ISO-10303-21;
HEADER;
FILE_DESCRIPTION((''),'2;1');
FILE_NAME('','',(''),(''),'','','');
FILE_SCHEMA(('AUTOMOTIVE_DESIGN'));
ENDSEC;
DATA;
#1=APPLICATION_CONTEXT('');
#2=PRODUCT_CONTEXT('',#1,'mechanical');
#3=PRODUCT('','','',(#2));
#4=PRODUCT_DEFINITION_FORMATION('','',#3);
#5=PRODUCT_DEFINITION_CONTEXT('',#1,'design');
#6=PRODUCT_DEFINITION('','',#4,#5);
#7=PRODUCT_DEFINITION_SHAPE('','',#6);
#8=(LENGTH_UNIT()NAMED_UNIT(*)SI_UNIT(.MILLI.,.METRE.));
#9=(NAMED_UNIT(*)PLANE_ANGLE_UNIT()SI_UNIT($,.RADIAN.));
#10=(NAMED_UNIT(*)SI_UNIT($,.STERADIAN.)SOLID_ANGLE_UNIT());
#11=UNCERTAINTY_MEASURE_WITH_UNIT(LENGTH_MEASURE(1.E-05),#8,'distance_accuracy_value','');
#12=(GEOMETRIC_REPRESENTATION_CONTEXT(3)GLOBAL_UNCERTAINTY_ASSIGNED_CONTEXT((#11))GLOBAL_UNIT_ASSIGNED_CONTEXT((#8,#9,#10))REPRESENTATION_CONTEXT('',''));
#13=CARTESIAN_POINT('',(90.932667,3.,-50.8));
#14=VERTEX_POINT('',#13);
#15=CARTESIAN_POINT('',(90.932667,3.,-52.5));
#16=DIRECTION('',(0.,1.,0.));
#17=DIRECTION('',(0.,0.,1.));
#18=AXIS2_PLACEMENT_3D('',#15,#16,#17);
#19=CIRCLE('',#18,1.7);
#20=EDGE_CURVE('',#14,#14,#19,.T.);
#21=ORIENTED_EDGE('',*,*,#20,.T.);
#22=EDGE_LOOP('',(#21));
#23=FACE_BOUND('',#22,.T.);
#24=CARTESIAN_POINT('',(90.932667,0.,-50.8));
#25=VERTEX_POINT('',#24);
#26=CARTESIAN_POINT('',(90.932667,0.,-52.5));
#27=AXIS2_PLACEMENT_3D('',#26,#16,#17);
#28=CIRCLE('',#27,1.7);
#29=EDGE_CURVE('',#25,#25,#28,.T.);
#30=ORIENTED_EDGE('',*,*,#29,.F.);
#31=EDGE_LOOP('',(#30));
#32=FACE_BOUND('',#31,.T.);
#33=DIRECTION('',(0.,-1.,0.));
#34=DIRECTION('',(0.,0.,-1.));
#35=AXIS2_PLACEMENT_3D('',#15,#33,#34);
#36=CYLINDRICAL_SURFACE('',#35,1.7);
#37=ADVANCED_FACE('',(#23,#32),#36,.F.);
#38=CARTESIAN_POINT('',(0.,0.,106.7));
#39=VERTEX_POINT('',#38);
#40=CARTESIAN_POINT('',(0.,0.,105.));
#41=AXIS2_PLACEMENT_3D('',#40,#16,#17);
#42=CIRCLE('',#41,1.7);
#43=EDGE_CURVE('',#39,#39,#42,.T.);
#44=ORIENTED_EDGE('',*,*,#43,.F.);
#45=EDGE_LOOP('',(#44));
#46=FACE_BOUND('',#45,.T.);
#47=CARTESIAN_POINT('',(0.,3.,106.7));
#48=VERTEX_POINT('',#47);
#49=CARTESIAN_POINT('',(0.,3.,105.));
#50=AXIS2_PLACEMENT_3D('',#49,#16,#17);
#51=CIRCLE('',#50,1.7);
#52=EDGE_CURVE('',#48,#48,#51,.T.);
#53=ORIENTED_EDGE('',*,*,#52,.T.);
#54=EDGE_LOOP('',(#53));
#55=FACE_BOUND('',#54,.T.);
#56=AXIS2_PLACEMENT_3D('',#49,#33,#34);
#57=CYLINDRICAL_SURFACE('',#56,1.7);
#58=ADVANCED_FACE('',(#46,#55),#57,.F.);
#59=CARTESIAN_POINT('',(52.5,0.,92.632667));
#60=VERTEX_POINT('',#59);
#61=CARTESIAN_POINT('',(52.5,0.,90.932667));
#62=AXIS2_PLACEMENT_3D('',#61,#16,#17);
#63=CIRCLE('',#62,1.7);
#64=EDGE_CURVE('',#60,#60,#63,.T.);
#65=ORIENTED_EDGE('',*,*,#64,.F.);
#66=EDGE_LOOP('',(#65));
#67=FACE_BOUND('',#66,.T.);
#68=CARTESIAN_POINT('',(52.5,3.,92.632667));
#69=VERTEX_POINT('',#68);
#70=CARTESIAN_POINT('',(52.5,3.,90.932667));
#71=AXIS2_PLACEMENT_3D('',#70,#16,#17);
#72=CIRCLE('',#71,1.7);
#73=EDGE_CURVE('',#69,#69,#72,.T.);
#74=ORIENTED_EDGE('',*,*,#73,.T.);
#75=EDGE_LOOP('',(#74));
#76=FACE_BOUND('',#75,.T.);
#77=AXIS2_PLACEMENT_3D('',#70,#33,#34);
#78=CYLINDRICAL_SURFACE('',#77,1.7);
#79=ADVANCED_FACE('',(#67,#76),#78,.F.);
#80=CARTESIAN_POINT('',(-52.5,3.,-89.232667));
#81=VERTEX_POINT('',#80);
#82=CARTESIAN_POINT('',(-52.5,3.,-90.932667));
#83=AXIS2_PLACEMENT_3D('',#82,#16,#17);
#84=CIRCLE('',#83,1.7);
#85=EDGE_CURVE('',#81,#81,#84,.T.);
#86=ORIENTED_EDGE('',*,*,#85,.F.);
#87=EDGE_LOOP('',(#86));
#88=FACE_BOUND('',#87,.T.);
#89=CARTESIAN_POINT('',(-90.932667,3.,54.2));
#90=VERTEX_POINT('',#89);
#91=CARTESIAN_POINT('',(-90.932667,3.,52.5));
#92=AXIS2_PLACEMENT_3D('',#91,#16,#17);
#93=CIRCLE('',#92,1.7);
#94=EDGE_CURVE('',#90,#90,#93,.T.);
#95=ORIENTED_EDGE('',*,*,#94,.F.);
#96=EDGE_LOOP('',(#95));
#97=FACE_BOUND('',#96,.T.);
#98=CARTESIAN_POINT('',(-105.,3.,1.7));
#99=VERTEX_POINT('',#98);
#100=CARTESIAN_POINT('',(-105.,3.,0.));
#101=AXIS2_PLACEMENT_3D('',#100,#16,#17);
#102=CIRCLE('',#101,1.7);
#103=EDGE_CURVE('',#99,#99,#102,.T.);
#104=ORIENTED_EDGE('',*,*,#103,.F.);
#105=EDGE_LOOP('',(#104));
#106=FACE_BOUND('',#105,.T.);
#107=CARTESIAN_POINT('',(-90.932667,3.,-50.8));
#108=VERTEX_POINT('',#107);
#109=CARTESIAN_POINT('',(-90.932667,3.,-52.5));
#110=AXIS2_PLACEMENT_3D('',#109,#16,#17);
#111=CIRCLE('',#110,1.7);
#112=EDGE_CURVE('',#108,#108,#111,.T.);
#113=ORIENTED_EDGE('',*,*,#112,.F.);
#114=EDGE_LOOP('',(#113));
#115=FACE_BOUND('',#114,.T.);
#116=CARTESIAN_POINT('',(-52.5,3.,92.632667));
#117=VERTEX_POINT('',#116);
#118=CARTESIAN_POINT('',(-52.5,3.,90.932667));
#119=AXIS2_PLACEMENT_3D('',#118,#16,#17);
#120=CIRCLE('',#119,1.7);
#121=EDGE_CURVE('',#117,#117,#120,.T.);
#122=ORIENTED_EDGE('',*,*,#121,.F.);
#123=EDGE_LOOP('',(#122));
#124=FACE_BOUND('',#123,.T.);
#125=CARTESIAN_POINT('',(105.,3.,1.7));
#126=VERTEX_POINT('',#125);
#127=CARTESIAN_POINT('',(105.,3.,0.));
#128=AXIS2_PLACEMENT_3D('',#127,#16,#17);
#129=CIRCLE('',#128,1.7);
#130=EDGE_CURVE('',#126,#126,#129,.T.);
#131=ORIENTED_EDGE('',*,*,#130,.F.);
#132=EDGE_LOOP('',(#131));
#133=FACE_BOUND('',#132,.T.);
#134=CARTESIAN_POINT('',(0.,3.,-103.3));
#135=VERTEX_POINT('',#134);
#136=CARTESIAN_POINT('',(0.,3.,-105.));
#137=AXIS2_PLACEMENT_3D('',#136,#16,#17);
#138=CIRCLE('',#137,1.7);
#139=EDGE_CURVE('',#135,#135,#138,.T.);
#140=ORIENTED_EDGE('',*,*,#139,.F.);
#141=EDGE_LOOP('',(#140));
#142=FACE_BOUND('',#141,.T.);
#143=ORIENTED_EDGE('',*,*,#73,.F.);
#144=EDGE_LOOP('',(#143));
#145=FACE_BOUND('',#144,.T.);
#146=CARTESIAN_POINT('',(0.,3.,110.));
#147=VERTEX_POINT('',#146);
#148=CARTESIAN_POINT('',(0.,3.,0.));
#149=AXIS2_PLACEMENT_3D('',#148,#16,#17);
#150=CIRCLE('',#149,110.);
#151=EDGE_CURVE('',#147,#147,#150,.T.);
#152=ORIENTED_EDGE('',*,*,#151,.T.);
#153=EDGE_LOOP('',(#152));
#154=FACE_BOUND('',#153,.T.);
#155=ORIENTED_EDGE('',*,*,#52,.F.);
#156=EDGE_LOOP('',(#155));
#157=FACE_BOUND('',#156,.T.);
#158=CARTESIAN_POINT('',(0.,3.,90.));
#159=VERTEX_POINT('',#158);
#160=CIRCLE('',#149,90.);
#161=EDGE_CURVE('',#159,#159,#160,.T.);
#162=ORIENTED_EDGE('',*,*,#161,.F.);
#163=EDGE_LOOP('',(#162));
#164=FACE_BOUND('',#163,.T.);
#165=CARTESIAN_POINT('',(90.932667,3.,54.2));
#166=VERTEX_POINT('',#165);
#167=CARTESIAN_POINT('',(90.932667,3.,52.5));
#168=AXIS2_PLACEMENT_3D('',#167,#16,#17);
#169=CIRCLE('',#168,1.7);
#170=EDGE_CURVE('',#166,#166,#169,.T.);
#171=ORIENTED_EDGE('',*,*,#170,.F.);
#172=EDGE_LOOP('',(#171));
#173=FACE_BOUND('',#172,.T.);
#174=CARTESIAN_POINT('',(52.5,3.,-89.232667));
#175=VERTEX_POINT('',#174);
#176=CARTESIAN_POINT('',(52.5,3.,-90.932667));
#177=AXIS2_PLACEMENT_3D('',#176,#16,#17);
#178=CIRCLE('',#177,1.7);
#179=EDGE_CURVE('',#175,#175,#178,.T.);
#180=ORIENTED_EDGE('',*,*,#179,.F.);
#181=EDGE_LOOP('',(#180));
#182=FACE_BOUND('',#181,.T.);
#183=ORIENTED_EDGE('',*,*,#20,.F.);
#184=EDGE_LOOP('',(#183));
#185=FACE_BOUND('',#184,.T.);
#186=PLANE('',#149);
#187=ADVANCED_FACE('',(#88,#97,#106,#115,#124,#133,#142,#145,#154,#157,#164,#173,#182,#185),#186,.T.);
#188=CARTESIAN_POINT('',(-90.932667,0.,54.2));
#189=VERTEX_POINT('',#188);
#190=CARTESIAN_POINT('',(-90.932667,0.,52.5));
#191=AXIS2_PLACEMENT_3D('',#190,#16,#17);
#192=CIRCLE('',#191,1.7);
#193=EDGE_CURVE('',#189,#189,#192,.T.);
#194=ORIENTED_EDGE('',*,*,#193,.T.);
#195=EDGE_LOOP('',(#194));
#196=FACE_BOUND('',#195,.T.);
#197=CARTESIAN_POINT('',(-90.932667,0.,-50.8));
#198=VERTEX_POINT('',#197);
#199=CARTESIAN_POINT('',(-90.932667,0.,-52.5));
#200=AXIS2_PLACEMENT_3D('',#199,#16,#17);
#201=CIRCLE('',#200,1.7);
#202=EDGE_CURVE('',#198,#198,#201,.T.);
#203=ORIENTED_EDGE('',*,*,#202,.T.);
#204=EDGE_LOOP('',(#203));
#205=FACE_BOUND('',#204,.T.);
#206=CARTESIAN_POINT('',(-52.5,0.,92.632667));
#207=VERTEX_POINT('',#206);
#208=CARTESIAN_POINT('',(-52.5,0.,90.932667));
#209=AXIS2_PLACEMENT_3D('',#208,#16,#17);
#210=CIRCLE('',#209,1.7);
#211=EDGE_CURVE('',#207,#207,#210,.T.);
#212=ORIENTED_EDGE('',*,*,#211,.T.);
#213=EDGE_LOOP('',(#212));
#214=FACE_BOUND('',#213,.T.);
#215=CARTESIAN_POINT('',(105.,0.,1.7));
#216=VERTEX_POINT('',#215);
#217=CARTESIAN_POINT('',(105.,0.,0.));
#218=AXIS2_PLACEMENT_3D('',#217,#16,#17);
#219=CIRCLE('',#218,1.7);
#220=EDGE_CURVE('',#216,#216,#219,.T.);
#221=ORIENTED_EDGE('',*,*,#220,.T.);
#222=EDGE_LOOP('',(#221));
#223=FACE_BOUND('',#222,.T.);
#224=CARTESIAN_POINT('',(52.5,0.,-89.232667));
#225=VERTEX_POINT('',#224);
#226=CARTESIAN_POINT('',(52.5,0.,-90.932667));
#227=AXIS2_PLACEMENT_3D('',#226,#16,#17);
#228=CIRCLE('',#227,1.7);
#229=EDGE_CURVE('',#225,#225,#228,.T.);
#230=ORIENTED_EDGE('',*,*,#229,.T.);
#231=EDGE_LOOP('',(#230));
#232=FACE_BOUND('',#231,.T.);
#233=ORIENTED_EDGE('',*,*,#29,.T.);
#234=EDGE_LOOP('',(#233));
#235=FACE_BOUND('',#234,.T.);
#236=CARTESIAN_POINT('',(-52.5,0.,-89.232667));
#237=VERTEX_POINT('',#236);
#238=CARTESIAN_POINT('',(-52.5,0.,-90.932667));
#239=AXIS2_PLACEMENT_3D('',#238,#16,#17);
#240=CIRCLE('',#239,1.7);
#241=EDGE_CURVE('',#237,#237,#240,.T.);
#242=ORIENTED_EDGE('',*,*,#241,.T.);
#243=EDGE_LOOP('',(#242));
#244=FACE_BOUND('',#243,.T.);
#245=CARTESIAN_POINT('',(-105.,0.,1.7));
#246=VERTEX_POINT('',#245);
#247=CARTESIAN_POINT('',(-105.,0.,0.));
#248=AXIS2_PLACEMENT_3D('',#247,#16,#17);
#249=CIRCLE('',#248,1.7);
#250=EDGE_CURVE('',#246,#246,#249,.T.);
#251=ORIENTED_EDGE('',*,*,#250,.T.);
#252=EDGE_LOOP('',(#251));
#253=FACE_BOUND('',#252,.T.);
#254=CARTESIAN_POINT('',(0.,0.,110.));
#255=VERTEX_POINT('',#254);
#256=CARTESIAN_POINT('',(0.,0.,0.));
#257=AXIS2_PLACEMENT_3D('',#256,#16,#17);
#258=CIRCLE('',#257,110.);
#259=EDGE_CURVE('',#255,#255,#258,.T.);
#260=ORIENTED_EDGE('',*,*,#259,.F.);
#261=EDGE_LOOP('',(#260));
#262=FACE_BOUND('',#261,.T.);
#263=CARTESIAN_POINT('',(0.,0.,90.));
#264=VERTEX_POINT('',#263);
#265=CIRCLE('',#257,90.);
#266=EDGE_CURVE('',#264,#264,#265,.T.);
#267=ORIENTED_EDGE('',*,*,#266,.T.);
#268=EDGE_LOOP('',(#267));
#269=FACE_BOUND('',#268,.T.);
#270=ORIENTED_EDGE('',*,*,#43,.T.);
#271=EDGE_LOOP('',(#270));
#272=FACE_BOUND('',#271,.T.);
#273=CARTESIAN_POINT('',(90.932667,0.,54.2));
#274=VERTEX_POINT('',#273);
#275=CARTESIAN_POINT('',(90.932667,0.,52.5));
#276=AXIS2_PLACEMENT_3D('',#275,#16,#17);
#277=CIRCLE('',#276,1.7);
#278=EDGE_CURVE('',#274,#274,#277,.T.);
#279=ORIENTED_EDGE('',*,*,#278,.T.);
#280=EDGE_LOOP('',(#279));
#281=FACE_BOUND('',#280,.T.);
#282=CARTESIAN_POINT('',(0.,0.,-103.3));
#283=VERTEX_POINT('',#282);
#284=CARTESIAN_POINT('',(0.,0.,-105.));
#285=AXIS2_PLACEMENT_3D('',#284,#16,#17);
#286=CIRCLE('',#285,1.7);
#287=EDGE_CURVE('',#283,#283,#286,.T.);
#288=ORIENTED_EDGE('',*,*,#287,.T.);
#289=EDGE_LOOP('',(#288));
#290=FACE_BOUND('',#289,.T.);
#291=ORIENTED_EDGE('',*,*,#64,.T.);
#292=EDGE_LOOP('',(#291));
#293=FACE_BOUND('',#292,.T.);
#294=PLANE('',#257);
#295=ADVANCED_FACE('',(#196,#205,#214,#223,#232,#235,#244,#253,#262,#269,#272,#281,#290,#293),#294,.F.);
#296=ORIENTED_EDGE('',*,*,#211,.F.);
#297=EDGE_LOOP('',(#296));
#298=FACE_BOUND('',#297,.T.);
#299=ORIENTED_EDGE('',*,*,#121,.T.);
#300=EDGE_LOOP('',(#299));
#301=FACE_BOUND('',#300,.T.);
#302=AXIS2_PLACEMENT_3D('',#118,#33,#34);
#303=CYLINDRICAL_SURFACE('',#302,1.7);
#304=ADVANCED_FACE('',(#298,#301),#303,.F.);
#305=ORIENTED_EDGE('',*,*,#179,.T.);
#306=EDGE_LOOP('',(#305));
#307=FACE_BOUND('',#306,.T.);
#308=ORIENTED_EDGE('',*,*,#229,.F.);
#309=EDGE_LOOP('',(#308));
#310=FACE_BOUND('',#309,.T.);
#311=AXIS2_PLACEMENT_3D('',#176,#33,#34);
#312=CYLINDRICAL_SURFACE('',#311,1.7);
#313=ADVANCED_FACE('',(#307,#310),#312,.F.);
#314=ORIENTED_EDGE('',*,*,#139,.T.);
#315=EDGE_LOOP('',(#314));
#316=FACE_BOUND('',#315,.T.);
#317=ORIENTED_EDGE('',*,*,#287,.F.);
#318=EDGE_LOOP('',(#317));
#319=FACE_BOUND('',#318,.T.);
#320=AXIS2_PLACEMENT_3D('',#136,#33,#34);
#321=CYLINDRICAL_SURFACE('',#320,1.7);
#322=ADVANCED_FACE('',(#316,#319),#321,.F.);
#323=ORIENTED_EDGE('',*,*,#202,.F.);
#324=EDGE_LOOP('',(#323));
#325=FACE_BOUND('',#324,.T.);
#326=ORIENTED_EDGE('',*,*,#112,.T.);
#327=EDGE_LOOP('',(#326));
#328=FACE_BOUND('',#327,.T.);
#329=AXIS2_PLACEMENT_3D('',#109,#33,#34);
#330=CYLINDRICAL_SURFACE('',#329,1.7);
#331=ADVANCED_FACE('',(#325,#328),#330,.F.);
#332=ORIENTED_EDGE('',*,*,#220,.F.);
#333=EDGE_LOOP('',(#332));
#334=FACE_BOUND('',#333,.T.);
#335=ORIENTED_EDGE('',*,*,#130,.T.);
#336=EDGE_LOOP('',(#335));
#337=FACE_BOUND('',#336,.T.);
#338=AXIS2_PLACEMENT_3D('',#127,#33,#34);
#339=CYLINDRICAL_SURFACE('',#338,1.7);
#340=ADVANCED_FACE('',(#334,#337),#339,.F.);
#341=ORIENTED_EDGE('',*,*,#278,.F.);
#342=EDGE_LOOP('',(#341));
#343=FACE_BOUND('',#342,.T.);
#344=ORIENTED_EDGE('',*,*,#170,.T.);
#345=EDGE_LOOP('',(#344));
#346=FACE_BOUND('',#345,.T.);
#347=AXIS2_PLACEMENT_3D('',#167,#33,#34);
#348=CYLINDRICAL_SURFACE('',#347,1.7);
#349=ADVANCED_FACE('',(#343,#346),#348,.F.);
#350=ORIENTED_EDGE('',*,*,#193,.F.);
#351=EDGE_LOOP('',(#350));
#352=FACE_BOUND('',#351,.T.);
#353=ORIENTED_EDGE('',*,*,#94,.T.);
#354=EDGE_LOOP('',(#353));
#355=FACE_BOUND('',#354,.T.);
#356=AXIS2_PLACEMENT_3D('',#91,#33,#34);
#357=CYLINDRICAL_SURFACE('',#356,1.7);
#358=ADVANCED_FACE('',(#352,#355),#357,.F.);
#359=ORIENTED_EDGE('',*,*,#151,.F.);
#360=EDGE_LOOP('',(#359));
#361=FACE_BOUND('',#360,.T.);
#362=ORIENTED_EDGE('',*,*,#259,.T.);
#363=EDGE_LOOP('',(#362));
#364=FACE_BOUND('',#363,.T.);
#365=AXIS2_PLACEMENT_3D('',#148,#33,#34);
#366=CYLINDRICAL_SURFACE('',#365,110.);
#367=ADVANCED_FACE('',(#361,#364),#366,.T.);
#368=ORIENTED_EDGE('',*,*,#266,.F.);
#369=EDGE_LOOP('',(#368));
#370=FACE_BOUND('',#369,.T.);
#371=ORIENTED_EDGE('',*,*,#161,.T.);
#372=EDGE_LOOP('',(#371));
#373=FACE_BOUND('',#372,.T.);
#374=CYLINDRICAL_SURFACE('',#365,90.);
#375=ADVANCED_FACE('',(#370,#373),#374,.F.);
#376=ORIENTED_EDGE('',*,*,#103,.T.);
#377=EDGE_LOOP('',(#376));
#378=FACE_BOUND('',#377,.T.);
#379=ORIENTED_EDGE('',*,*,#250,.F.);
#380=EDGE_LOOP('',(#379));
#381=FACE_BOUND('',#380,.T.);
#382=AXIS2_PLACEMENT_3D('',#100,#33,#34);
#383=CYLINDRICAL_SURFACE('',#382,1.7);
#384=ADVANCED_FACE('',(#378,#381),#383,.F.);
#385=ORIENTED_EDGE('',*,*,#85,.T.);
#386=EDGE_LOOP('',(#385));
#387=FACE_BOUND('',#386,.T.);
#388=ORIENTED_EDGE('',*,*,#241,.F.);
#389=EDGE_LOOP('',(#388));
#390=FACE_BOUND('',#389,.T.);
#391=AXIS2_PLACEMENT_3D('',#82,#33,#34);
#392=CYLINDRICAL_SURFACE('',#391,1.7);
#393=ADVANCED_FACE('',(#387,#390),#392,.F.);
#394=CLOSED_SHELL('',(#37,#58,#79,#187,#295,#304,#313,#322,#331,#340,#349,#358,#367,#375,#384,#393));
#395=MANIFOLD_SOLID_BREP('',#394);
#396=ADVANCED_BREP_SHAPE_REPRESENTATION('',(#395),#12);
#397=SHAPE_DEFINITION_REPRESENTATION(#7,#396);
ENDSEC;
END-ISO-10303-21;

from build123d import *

# Parameters (mm, degrees)
SKETCH1_R           = 110
SKETCH1_R_2         = 90
SKETCH1_R_3         = 1.7
BOSS_EXTRUDE1_DEPTH = 3


with BuildPart() as part:
    # Sketch1 → Boss-Extrude1 (new body)
    with BuildSketch(Plane(origin=(0, 0, 0), x_dir=(1, 0, 0), z_dir=(0, 1, 0))):
        Circle(SKETCH1_R)
        Circle(SKETCH1_R_2, mode=Mode.SUBTRACT)
        with Locations((0, 105)):
            Circle(SKETCH1_R_3, mode=Mode.SUBTRACT)
        with Locations((52.5, 90.932667397)):
            Circle(SKETCH1_R_3, mode=Mode.SUBTRACT)
        with Locations((90.932667397, 52.5)):
            Circle(SKETCH1_R_3, mode=Mode.SUBTRACT)
        with Locations((105, 0)):
            Circle(SKETCH1_R_3, mode=Mode.SUBTRACT)
        with Locations((90.932667397, -52.5)):
            Circle(SKETCH1_R_3, mode=Mode.SUBTRACT)
        with Locations((52.5, -90.932667397)):
            Circle(SKETCH1_R_3, mode=Mode.SUBTRACT)
        with Locations((0, -105)):
            Circle(SKETCH1_R_3, mode=Mode.SUBTRACT)
        with Locations((-52.5, -90.932667397)):
            Circle(SKETCH1_R_3, mode=Mode.SUBTRACT)
        with Locations((-90.932667397, -52.5)):
            Circle(SKETCH1_R_3, mode=Mode.SUBTRACT)
        with Locations((-105, 0)):
            Circle(SKETCH1_R_3, mode=Mode.SUBTRACT)
        with Locations((-90.932667397, 52.5)):
            Circle(SKETCH1_R_3, mode=Mode.SUBTRACT)
        with Locations((-52.5, 90.932667397)):
            Circle(SKETCH1_R_3, mode=Mode.SUBTRACT)
    extrude(amount=BOSS_EXTRUDE1_DEPTH)


solid = part.part
